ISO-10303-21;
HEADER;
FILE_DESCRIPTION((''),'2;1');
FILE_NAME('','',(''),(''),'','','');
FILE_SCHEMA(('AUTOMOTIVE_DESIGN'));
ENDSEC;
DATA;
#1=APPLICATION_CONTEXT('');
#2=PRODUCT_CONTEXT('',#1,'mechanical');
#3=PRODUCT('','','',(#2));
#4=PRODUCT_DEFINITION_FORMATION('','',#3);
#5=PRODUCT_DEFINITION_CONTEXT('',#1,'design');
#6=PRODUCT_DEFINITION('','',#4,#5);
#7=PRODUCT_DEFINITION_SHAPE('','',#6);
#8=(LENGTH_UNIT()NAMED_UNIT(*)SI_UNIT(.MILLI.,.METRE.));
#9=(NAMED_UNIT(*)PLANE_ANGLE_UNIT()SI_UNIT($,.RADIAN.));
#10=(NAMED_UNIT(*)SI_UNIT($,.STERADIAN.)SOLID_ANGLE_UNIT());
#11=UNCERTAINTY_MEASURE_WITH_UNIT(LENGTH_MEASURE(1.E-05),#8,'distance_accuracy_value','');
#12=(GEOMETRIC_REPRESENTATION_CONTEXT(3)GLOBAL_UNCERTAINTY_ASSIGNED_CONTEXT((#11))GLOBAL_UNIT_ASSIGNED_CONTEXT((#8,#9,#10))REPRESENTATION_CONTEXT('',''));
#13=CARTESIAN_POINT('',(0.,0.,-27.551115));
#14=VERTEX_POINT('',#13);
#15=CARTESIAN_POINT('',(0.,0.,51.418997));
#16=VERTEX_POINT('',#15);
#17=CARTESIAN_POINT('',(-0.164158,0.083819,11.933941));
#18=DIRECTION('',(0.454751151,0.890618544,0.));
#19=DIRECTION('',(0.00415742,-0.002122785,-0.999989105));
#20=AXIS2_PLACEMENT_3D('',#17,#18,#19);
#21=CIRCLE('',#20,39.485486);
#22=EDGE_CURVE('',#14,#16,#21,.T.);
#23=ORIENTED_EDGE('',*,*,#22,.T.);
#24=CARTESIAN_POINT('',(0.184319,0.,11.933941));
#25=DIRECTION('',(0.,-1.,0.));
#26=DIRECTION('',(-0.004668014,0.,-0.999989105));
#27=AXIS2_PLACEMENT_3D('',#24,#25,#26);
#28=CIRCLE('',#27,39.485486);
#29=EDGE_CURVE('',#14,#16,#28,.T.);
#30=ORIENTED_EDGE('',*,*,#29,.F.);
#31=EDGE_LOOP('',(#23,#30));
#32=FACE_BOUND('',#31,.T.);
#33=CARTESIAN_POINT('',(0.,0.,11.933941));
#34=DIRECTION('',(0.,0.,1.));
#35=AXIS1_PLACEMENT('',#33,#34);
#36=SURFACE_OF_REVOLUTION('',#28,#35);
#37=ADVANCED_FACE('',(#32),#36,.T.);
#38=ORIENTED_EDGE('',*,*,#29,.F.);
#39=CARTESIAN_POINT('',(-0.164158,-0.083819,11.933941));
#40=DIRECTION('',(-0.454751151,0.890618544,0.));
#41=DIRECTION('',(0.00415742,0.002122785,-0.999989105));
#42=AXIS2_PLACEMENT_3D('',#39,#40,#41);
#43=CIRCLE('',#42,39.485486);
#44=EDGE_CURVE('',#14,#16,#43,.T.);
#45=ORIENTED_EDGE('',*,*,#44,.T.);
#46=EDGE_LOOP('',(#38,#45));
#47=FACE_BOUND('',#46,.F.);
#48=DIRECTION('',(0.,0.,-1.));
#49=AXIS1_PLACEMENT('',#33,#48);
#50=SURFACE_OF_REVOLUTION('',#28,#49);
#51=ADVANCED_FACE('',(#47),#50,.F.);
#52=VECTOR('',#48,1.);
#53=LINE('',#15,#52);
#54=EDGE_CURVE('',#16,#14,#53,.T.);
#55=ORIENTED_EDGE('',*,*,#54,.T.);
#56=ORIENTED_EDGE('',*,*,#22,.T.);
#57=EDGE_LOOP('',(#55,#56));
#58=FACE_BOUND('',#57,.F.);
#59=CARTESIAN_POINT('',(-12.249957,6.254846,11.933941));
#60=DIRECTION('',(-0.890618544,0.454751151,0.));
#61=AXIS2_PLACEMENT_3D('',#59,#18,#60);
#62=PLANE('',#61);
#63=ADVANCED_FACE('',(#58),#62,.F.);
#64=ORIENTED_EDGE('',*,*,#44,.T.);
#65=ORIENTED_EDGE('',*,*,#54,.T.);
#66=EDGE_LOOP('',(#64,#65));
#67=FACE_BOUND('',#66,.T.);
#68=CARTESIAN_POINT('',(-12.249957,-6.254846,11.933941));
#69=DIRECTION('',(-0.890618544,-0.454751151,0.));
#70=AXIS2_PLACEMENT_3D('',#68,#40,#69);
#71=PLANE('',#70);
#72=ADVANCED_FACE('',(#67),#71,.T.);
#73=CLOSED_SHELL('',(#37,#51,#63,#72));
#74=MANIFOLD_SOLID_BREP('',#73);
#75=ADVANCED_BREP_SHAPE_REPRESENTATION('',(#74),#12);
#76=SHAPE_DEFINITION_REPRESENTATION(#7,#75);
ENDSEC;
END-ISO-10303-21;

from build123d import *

# Parameters (mm, degrees)
F1_ANGLE = 305.902152


with BuildPart() as f1:
    # F0 (on Front) → F1 (revolve, symmetric)
    with BuildSketch(Plane.XZ) as f1_sk:
        with BuildLine():
            Line((0, 51.418997), (0, -27.551115))
            ThreePointArc((0, -27.551115), (39.669805, 11.933941), (0, 51.418997))
        make_face()
    revolve(axis=Axis((0, 0, 11.933941), (0, 0, 1)), revolution_arc=F1_ANGLE / 2)
    revolve(f1_sk.sketch, axis=Axis((0, 0, 11.933941), (0, 0, -1)), revolution_arc=F1_ANGLE / 2)


solid = f1.part
